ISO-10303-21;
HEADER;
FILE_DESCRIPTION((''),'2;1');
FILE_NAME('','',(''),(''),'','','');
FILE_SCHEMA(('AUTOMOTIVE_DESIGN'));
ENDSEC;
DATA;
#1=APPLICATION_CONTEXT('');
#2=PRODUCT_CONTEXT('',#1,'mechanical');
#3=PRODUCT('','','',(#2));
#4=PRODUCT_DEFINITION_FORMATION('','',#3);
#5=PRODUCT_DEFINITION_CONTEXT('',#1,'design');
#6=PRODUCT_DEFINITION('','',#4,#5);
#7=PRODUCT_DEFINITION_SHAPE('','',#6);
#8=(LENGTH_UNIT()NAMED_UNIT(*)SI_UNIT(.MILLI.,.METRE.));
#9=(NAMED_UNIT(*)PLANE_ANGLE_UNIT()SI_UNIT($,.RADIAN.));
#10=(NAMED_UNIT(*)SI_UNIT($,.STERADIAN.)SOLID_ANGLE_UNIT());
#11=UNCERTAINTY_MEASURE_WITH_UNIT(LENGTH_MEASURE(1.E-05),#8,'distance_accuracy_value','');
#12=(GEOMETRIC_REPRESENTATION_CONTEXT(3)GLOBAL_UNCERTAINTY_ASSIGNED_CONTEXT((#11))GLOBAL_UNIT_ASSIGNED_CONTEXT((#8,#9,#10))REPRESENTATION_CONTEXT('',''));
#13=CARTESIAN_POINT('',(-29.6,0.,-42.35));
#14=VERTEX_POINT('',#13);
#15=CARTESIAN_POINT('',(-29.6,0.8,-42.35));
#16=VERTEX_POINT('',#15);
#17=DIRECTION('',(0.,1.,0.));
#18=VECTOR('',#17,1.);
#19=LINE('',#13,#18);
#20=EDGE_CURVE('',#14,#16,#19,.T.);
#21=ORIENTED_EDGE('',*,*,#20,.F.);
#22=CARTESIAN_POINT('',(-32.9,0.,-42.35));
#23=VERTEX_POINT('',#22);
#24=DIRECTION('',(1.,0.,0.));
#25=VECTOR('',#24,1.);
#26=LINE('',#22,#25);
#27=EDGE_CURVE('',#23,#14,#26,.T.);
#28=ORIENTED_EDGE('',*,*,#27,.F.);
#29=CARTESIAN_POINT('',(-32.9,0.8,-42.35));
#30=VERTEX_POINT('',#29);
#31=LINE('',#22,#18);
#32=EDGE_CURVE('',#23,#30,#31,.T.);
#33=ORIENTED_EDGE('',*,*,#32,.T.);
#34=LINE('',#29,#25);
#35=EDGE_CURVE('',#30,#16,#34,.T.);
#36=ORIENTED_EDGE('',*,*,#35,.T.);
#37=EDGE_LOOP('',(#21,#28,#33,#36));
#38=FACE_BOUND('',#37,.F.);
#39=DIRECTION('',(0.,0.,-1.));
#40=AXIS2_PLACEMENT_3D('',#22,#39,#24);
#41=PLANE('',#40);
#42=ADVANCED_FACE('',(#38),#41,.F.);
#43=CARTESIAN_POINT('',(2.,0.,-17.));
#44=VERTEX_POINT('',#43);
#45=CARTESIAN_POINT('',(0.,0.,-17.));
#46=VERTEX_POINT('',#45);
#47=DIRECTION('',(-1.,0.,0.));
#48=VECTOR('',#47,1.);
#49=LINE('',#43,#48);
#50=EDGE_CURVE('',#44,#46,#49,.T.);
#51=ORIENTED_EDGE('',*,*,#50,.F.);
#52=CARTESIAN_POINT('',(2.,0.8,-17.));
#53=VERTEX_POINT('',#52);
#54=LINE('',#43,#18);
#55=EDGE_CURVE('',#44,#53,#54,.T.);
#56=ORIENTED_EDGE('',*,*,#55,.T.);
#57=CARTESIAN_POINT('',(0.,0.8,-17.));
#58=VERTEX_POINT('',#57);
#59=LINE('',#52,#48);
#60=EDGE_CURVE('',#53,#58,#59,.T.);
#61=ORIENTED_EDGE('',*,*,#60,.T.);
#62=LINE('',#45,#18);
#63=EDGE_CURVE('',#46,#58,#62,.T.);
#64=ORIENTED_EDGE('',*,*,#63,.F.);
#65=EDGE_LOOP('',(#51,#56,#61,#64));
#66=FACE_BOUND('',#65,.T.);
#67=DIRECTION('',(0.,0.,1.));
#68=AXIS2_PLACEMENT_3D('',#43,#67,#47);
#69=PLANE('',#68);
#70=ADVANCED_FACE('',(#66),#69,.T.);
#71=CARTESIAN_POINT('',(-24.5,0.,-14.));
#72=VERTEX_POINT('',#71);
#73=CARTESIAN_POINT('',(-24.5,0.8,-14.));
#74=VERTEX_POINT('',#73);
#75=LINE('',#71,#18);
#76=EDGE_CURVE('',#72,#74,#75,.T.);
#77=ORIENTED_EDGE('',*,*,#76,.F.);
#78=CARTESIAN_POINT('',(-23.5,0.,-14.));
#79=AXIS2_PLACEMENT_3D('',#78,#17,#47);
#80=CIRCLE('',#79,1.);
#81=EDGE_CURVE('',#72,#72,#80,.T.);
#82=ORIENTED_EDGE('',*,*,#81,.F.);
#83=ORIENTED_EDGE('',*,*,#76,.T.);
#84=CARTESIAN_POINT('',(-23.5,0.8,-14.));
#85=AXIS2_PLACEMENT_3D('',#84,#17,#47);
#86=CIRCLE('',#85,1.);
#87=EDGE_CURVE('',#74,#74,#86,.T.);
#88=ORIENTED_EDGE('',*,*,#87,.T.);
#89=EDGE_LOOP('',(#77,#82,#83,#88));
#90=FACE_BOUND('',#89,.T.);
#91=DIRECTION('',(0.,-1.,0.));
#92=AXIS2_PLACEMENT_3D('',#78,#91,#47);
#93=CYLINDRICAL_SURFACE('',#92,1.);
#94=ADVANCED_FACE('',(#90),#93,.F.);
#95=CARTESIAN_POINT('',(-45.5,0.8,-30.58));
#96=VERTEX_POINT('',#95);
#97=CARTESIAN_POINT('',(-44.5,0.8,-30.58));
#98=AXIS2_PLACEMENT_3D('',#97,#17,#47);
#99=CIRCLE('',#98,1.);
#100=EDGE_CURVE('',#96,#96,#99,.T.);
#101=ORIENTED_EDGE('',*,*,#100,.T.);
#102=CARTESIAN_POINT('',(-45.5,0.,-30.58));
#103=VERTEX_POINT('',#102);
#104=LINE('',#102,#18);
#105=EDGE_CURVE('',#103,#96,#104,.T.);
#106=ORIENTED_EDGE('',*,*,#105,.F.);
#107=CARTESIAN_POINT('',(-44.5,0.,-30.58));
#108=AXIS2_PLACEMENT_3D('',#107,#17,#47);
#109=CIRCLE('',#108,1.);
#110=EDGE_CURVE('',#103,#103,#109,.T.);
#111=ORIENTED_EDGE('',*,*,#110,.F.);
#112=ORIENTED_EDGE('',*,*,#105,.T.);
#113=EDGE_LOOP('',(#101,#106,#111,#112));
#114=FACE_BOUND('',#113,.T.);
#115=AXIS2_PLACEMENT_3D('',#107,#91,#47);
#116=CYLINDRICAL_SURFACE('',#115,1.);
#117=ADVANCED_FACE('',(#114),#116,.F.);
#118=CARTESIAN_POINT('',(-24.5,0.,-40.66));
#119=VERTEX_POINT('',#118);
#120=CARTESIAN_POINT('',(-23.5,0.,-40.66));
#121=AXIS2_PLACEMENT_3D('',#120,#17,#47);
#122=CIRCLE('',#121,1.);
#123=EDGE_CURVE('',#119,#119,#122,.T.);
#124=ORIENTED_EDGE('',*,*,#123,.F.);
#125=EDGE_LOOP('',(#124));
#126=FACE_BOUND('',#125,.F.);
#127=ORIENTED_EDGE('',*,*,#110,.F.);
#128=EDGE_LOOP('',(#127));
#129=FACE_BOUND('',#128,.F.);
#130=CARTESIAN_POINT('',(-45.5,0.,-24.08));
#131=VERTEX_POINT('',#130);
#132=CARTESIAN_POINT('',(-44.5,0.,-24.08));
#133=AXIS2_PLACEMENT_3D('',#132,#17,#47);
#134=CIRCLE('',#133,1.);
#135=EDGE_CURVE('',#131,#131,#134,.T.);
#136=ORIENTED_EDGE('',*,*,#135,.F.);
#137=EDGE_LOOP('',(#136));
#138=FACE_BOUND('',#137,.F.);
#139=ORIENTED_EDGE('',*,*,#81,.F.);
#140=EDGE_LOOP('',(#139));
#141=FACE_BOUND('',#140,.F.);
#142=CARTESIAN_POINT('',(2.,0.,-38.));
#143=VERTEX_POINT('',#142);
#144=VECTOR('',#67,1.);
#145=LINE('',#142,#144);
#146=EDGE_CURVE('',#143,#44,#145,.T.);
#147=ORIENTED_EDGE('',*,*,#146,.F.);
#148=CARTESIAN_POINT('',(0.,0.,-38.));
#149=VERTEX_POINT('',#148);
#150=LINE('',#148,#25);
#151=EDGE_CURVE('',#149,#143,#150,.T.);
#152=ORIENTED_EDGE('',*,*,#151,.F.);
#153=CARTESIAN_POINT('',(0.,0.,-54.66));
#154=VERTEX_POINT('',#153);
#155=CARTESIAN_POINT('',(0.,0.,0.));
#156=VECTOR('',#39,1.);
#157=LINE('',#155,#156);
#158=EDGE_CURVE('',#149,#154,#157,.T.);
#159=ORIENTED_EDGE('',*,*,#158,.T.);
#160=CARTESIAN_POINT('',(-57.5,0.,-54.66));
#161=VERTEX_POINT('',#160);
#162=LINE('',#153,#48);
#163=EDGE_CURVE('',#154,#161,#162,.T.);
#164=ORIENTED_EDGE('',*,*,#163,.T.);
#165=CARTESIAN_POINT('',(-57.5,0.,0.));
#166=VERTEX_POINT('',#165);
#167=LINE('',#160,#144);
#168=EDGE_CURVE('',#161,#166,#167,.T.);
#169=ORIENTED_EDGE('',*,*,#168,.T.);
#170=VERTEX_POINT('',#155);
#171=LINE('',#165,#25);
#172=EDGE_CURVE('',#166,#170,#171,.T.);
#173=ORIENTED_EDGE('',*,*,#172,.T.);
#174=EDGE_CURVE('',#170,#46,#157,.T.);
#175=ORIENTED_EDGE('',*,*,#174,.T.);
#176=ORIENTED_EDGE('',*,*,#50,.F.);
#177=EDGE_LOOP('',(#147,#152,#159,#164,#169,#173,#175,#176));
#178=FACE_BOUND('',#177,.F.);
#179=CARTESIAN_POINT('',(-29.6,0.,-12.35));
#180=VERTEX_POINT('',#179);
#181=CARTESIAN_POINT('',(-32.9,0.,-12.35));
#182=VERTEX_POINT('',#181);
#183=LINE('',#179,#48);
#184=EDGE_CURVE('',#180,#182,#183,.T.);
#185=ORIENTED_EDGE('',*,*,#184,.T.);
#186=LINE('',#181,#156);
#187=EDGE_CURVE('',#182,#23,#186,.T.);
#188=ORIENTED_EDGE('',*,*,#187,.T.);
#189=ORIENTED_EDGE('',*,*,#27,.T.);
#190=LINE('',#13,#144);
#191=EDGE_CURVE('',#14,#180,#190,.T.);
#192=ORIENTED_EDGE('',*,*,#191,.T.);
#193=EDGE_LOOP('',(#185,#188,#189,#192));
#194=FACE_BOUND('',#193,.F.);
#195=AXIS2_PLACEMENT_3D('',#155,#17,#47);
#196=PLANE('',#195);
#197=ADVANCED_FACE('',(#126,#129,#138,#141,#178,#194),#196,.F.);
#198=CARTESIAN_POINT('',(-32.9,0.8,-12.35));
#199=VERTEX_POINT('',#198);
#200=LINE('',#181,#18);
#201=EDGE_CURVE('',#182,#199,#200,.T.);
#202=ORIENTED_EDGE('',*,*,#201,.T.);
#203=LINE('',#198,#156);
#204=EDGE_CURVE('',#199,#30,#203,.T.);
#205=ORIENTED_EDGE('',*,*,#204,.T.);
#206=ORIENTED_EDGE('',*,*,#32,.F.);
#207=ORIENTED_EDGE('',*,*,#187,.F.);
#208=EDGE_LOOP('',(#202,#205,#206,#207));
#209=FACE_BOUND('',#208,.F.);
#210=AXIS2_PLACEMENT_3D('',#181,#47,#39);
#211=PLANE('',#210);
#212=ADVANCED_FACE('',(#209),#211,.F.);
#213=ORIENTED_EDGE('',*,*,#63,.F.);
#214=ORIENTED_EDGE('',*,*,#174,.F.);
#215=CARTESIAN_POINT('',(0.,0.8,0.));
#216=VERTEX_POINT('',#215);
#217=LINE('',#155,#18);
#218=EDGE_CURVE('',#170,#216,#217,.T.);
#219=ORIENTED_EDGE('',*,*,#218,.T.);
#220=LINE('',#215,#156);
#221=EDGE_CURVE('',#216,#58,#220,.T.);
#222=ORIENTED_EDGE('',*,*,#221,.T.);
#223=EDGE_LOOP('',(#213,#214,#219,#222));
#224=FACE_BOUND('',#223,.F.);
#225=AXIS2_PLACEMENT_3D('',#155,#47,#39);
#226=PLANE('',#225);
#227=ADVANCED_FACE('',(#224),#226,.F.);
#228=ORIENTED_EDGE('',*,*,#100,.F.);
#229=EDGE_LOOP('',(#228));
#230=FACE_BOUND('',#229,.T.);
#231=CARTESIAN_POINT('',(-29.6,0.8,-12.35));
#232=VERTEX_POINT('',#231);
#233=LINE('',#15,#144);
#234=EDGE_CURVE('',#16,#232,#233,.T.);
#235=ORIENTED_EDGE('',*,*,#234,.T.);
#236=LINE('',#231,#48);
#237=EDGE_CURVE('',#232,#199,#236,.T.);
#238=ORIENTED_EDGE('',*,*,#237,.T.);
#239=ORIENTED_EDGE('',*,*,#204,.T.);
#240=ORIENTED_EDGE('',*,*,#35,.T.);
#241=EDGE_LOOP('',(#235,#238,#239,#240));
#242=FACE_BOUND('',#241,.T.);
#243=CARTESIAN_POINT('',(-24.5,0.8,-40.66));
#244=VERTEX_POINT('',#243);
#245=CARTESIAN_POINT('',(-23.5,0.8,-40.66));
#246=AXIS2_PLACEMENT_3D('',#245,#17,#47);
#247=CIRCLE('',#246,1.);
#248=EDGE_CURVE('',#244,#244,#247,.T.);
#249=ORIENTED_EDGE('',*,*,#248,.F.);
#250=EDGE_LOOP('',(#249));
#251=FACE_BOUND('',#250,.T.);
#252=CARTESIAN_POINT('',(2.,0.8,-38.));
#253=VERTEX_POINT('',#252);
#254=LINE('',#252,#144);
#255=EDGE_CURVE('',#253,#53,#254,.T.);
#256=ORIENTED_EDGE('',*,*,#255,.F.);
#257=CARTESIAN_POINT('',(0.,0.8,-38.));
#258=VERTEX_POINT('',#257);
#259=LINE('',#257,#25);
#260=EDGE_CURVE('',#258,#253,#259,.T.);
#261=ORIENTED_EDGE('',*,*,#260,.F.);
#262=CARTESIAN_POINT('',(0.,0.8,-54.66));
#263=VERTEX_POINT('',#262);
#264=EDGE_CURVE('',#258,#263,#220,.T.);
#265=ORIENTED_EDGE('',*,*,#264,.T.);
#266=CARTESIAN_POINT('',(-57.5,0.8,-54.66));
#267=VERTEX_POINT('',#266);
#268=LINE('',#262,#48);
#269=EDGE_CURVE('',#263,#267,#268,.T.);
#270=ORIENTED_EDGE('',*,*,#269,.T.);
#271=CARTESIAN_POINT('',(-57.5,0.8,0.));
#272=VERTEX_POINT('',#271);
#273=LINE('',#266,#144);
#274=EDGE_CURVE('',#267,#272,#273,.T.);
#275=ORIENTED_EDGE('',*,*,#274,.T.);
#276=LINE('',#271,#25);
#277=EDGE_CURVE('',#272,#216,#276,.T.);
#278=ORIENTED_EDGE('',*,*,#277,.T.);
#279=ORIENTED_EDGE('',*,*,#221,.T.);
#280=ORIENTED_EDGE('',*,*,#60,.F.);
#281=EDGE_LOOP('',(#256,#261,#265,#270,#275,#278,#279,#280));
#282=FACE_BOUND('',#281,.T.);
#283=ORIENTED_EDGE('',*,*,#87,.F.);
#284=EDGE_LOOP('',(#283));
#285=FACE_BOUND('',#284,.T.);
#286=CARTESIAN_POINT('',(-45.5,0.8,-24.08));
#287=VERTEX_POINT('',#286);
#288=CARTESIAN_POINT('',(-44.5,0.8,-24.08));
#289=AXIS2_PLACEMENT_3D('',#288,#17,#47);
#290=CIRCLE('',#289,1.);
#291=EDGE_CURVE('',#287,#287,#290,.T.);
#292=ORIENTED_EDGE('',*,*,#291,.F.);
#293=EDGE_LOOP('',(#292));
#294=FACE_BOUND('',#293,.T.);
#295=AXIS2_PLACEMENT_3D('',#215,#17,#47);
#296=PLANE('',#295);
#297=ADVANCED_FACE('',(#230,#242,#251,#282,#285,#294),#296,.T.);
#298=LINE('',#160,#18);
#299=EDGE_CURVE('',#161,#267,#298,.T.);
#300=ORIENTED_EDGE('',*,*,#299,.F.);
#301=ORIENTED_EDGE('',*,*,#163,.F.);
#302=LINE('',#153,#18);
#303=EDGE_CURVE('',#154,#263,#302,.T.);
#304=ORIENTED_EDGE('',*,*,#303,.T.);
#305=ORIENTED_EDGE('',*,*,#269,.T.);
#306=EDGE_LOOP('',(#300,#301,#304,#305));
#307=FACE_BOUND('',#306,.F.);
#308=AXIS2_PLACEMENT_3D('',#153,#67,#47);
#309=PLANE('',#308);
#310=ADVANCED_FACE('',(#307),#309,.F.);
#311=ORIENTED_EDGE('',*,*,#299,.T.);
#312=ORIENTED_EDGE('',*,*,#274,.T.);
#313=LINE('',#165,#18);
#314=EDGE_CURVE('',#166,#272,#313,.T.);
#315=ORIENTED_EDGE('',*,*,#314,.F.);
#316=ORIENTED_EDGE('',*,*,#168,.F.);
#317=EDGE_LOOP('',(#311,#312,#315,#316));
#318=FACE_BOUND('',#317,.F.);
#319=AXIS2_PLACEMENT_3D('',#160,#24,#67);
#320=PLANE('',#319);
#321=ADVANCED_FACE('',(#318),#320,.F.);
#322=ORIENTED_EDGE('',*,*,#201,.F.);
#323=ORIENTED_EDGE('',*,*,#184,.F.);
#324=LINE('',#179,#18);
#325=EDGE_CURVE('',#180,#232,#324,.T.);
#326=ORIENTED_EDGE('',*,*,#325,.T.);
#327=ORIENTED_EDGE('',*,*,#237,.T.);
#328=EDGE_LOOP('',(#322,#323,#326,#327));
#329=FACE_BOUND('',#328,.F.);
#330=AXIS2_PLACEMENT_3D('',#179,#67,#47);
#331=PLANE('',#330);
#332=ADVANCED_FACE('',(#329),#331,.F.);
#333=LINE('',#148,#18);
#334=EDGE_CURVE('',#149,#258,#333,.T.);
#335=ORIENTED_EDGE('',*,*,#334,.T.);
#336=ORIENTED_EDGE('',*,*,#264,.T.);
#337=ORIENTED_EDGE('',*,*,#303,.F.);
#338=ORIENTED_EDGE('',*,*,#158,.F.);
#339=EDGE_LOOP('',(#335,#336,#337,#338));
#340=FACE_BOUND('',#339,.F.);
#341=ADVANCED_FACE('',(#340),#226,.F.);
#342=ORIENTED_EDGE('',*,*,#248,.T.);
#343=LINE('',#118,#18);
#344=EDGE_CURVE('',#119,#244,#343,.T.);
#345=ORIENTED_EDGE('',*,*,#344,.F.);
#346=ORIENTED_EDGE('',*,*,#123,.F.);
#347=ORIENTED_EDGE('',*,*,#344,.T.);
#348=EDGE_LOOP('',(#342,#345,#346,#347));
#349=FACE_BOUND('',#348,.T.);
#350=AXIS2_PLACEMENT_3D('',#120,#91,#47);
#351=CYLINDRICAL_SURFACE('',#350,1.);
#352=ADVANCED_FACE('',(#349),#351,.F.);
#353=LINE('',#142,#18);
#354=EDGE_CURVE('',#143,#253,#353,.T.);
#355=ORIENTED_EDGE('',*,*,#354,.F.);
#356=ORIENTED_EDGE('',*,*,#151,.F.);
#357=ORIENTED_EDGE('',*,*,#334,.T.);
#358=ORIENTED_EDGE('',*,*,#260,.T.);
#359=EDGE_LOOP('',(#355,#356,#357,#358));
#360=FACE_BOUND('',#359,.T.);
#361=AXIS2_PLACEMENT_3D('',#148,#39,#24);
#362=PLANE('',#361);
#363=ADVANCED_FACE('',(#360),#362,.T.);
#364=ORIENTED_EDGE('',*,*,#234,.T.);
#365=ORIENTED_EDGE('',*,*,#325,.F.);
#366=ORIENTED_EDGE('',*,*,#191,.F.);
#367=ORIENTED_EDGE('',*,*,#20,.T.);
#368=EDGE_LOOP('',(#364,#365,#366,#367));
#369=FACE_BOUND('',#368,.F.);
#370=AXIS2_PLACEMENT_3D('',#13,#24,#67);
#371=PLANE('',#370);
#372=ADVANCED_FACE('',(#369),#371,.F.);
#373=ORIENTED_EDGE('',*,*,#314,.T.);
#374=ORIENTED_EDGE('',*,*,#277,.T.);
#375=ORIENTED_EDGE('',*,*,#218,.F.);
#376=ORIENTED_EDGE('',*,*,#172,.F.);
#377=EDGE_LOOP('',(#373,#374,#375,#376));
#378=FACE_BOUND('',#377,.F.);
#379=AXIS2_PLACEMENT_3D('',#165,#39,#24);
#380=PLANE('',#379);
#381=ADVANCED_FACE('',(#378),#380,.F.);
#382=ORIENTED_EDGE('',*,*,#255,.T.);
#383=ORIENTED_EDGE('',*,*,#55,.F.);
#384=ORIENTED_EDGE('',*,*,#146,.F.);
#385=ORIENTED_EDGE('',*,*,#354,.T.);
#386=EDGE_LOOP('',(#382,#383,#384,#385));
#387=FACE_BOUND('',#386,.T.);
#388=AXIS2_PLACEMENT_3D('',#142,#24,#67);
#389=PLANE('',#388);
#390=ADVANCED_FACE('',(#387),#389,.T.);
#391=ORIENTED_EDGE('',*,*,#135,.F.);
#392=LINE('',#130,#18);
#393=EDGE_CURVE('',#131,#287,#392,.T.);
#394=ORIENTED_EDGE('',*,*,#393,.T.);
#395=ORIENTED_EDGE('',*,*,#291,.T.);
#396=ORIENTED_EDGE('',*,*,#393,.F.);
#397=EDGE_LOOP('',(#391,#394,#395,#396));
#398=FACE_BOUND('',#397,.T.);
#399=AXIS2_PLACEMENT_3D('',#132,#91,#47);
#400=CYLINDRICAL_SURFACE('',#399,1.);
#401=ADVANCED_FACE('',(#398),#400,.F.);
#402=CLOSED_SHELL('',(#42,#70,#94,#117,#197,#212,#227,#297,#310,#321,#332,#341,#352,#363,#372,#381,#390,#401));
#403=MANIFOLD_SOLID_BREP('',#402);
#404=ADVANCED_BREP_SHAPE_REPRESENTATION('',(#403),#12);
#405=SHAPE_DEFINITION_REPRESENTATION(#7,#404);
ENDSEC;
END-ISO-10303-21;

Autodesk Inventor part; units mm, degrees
ref_plane "YZ Plane" through (0, 0, 0) normal (1, 0, 0) x (0, 1, 0)
ref_plane "XZ Plane" through (0, 0, 0) normal (0, 1, 0) x (-1, 0, 0)
sketch "Sketch1" plane through (0, 0, 0) normal (0, 1, 0) x (-1, 0, 0)
  line L0 (0, 0) -> (0, -54.66)
  line L1 (0, -54.66) -> (57.5, -54.66)
  line L2 (57.5, 0) -> (0, 0)
  line L3 (29.6, -12.35) -> (32.9, -12.35)
  line L4 (32.9, -12.35) -> (32.9, -42.35)
  line L5 (32.9, -42.35) -> (29.6, -42.35)
  line L6 (29.6, -42.35) -> (29.6, -12.35)
  line L7 (57.5, -54.66) -> (57.5, 0)
  circle A0 centre (44.5, -24.08) radius 1
  circle A1 centre (44.5, -30.58) radius 1
  circle A2 centre (23.5, -40.66) radius 1
  circle A3 centre (23.5, -14) radius 1
  point P0 (57.5, -27.33)
  point P1 (0, -27.33)
  dimension "d0" = 54.66
  dimension "d1" = 57.5
  dimension "d6" = 12.35
  dimension "d7" = 29.6
  dimension "d8" = 3.3
  dimension "d9" = 30
  dimension "d59" = 3.25
  dimension "d60" = 3.25
  dimension "d62" = 2
  dimension "d63" = 13.33
  dimension "d64" = 13.33
  dimension "d65" = 23.5
  dimension "d66" = 44.5
extrude "Extrusion2" add sketch "Sketch1" along normal blind 0.8
ref_plane "Work Plane1" through (0, 0.8, -27.33) normal (0, 0, 1) x (1, 0, 0)
sketch "Sketch3" plane through (0, 0, 0) normal (0, -1, 0) x (1, 0, 0)
  line L0 (0, -38) -> (2, -38)
  line L1 (2, -38) -> (2, -17)
  line L2 (2, -17) -> (0, -17)
  line L3 (0, -17) -> (0, -38)
  line L4 (-57.5, 0) -> (0, 0) projected
  line L5 (0, 0) -> (0, -54.66) projected
  dimension "d67" = 17
  dimension "d68" = 38
  dimension "d69" = 2
extrude "Extrusion4" add sketch "Sketch3" against normal up to surface (0.8 mm away)
equation "\"d64\" = d63"
properties part number "PCB"
